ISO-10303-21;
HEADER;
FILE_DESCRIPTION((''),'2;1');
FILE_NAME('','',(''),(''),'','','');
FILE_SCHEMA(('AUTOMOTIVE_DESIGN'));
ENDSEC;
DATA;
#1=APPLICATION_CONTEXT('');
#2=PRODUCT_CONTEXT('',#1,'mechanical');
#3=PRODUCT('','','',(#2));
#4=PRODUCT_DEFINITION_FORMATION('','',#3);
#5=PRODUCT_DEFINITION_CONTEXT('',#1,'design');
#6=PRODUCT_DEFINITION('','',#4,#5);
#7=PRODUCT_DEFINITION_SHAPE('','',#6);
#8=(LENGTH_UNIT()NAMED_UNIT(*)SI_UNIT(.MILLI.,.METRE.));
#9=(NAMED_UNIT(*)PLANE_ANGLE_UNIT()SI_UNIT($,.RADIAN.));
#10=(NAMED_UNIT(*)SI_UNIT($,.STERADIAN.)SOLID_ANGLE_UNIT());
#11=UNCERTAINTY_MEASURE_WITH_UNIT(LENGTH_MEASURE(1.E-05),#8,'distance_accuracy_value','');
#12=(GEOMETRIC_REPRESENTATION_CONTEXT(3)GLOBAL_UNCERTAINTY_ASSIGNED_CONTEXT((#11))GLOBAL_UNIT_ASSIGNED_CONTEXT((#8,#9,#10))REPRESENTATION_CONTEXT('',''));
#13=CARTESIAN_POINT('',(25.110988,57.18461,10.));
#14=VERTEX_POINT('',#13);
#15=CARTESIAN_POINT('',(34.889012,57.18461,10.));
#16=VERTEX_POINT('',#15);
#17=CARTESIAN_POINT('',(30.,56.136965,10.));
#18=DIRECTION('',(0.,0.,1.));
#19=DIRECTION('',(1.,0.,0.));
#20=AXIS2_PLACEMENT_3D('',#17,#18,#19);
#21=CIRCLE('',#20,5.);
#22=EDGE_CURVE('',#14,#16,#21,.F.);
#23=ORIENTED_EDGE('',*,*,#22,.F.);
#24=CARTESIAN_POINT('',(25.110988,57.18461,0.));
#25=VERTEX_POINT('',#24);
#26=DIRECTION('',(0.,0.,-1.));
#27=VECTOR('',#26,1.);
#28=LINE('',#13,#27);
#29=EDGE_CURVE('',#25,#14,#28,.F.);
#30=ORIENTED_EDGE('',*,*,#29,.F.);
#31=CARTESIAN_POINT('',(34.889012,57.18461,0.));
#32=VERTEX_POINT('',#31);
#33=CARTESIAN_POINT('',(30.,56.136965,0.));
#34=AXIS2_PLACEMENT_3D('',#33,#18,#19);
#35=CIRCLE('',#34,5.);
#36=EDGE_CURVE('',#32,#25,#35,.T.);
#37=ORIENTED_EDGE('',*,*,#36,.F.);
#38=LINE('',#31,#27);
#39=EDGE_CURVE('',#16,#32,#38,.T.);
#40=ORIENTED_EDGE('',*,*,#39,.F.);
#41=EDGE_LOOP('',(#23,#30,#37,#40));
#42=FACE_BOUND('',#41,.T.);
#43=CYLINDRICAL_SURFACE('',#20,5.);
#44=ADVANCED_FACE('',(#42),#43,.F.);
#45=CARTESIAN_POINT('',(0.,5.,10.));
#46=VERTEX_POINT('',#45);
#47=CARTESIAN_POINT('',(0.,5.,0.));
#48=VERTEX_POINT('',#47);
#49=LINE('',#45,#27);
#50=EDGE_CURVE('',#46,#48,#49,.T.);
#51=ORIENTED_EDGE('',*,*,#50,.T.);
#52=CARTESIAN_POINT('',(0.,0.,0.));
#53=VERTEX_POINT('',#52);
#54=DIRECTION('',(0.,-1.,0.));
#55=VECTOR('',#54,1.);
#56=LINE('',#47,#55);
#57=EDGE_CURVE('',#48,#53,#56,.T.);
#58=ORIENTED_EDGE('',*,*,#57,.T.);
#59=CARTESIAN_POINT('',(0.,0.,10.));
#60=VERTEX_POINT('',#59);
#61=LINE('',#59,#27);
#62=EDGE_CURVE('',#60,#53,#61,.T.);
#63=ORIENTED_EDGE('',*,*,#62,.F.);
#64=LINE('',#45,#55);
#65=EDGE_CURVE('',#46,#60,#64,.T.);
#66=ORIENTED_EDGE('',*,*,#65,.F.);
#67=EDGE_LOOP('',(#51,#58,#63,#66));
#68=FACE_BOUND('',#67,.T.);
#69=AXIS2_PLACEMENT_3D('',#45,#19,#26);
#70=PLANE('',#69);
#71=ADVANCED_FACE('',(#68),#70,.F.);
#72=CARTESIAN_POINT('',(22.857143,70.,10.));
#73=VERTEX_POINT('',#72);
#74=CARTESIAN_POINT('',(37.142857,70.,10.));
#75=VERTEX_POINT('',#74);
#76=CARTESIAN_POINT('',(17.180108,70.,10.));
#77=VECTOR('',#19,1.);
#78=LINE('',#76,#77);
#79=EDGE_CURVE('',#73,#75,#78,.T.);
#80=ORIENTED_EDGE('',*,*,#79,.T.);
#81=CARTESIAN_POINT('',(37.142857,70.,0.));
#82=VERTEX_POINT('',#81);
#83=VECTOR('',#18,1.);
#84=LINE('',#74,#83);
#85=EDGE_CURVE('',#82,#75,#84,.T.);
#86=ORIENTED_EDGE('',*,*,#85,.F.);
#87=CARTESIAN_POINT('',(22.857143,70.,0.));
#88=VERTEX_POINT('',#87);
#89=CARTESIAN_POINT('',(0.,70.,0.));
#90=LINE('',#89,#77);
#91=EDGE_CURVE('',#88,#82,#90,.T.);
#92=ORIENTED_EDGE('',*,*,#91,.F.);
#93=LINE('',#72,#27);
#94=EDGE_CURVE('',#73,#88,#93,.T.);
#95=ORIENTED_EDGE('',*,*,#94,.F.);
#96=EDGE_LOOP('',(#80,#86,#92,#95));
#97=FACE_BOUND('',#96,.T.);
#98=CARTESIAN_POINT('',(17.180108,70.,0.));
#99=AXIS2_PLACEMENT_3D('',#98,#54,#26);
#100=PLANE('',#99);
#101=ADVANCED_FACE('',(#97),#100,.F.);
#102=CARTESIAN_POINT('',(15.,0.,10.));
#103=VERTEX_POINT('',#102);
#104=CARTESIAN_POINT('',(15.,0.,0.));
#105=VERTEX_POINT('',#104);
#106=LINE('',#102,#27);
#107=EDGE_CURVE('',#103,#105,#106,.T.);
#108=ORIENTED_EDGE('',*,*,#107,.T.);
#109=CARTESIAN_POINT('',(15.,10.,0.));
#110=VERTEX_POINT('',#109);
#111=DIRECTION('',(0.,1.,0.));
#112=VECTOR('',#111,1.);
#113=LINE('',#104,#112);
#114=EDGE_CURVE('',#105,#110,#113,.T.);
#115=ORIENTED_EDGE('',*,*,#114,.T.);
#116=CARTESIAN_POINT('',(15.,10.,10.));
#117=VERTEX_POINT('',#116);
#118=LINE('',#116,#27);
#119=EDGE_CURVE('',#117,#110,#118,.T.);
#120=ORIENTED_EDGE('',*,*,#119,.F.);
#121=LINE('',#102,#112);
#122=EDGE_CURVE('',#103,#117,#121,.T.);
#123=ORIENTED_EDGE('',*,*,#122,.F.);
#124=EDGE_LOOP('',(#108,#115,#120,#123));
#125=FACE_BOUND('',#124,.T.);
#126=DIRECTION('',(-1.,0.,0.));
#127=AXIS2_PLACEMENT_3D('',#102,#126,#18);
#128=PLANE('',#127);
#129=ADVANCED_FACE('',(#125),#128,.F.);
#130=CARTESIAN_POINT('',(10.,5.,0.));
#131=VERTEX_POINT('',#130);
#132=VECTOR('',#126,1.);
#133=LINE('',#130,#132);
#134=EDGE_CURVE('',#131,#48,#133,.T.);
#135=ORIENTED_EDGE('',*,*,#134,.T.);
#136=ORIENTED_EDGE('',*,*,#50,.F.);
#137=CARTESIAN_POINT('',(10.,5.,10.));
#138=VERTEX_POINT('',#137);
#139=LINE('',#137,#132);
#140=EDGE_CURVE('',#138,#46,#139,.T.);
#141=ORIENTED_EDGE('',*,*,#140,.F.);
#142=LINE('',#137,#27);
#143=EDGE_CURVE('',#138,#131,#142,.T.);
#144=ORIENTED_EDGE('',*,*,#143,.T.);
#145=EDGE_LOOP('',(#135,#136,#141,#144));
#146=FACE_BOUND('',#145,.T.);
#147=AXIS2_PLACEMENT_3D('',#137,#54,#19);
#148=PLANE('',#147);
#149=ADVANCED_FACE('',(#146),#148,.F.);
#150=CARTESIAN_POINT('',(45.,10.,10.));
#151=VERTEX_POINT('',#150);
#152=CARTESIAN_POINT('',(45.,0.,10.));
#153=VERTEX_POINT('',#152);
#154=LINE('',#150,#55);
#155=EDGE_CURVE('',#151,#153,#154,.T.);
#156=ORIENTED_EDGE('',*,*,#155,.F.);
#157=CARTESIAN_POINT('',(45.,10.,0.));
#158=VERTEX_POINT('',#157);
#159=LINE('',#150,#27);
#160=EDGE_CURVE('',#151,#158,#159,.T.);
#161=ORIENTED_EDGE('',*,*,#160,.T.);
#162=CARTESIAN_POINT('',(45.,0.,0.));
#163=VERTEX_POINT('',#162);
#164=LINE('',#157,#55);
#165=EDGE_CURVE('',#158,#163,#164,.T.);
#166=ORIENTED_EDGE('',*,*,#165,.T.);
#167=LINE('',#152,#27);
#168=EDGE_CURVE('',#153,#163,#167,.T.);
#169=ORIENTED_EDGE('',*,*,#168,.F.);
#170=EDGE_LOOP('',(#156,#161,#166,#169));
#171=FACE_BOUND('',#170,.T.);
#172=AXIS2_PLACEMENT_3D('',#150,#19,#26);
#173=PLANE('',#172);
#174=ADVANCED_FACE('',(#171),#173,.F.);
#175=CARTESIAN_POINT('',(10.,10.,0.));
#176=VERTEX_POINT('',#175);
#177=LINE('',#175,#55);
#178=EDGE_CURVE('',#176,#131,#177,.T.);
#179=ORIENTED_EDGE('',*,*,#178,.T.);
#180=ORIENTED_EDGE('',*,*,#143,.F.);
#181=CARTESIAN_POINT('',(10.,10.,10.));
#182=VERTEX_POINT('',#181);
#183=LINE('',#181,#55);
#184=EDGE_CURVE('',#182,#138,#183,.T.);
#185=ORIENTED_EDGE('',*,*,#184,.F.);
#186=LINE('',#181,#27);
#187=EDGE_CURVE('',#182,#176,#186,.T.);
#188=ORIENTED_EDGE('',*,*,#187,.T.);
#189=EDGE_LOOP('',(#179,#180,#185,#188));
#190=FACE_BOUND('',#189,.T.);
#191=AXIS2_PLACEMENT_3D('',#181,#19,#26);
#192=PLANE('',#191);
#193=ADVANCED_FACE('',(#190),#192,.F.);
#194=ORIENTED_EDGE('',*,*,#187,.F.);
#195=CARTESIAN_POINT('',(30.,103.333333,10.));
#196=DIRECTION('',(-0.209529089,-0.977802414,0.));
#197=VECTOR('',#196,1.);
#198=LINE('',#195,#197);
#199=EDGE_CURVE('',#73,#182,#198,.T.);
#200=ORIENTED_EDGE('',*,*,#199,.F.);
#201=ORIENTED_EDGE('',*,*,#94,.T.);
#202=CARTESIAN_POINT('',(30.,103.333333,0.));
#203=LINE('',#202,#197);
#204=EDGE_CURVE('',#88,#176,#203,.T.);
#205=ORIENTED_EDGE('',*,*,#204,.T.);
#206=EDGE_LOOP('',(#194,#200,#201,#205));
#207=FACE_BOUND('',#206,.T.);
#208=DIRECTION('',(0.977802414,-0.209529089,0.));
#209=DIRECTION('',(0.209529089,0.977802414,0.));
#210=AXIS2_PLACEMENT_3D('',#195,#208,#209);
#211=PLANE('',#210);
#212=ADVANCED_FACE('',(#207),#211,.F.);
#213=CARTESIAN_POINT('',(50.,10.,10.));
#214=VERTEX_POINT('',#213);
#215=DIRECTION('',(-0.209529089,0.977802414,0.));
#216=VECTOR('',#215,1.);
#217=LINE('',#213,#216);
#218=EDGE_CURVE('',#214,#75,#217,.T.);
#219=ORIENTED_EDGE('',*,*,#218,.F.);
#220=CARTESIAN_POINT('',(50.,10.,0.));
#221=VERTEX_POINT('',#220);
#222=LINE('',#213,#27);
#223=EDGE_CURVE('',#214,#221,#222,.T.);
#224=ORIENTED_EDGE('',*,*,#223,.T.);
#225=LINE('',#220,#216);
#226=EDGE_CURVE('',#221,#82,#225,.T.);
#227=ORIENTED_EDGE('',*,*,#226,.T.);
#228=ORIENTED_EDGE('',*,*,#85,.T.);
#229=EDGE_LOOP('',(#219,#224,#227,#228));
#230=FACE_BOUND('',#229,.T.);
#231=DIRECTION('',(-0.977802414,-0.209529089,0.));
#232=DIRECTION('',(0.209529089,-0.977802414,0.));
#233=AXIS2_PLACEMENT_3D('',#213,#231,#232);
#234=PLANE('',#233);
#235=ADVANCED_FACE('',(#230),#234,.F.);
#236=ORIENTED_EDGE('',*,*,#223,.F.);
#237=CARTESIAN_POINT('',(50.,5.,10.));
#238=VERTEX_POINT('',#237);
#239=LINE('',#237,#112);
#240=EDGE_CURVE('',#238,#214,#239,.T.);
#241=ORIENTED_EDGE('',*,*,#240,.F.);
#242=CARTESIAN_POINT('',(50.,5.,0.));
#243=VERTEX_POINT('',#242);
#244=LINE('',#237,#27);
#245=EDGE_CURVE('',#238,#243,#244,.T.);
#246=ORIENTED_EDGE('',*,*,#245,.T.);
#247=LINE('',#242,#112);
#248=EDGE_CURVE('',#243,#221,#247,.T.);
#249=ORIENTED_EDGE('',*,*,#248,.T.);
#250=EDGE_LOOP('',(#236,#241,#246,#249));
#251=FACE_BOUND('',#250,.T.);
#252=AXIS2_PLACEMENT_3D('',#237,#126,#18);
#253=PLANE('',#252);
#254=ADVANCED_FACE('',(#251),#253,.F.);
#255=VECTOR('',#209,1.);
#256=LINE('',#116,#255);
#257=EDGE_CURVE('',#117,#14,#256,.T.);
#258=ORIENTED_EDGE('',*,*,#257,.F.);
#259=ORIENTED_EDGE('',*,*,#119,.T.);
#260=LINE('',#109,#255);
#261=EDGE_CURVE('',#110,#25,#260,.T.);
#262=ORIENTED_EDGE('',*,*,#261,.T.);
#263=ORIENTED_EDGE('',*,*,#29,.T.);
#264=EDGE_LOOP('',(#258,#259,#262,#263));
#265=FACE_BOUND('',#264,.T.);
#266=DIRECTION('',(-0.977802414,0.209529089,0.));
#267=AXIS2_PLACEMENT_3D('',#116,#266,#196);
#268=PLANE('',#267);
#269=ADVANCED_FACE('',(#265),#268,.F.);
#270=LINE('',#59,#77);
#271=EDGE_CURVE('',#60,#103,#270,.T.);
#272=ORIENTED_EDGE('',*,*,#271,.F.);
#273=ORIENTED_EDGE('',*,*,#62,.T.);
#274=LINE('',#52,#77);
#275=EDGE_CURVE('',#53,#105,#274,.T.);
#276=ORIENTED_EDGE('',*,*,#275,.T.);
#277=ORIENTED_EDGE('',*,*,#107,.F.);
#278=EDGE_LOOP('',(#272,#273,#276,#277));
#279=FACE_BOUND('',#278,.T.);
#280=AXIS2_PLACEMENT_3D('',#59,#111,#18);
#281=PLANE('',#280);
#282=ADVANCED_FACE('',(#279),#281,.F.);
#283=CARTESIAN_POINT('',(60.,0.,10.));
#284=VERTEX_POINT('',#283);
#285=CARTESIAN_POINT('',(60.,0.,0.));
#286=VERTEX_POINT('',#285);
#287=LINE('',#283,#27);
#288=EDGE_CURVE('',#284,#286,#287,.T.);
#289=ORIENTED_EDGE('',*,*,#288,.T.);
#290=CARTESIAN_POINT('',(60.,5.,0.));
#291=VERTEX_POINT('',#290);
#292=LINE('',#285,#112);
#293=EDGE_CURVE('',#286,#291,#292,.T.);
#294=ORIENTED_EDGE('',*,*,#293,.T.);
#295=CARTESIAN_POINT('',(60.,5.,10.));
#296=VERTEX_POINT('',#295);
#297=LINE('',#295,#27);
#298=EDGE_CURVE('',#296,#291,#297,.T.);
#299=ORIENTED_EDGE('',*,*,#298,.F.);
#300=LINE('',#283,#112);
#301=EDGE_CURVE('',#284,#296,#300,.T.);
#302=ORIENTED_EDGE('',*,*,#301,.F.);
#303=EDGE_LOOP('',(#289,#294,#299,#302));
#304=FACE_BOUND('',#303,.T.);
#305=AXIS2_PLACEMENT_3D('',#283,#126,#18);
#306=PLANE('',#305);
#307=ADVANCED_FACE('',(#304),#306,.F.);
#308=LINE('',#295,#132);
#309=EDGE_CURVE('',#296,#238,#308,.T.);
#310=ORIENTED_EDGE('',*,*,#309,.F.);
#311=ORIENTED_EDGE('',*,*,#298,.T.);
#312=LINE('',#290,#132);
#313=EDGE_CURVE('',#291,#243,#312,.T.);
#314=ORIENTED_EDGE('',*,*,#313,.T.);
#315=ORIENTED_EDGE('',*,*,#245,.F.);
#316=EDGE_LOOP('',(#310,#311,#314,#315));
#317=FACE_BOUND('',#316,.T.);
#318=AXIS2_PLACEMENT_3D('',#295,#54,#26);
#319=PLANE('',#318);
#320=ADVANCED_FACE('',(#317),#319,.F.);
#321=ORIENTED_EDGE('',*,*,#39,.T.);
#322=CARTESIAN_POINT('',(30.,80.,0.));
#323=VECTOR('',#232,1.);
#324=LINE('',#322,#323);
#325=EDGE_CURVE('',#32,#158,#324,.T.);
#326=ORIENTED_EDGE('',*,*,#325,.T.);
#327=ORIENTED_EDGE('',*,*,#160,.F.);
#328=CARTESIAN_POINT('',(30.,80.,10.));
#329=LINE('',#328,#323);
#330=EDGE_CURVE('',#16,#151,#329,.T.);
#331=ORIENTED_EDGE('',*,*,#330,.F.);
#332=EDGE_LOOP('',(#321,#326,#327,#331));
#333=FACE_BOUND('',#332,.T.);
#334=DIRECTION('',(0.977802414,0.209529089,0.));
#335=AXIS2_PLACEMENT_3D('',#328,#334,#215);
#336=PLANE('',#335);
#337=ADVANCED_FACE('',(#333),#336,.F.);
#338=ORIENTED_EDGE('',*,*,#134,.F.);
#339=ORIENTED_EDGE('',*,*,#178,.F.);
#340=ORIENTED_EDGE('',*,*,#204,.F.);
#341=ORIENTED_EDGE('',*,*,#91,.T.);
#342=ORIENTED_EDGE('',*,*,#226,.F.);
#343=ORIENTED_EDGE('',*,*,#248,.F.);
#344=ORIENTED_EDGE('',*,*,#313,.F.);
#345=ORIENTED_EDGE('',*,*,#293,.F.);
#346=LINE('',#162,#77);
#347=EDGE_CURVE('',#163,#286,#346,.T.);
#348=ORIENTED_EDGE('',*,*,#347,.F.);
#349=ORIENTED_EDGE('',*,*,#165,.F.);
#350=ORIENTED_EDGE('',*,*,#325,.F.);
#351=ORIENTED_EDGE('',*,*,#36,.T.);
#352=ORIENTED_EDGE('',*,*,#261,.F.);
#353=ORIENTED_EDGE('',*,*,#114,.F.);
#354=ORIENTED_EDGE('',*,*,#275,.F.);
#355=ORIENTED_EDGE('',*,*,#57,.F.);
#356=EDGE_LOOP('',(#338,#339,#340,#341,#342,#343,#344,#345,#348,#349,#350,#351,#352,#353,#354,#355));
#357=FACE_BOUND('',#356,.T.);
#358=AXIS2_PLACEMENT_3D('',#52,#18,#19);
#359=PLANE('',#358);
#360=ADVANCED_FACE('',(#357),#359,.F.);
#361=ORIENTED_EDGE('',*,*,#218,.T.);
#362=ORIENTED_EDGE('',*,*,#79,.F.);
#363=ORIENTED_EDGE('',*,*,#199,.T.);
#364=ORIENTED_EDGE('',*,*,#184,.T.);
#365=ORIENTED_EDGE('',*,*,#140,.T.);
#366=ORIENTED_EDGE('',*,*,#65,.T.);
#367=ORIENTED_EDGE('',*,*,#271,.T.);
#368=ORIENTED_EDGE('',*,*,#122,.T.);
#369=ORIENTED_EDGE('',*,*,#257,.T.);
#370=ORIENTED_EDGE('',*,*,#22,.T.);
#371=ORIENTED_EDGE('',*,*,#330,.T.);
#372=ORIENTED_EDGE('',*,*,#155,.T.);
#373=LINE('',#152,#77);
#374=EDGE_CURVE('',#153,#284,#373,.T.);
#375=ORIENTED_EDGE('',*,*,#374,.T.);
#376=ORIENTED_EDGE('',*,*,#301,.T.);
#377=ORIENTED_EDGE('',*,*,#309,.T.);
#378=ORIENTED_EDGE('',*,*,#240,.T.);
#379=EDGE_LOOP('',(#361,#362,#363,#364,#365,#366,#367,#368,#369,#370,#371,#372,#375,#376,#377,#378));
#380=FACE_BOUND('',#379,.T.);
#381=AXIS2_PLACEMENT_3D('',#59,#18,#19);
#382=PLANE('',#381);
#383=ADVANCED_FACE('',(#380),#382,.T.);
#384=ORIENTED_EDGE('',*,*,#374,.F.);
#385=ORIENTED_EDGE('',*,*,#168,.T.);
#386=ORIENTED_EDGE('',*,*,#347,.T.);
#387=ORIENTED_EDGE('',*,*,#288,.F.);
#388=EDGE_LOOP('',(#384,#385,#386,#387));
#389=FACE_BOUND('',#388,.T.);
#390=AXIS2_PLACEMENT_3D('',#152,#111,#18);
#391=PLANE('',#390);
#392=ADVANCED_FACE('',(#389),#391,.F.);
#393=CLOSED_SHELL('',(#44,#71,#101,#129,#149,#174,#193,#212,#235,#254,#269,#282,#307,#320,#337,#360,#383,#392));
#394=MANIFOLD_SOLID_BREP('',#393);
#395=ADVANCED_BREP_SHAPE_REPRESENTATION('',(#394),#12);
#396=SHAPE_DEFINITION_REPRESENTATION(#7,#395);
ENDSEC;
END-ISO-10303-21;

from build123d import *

# Parameters (mm, degrees)
BOSS_EXTRUDE1_DEPTH = 10
FILLET1_R           = 5
CUT_EXTRUDE1_DEPTH  = 10


with BuildPart() as part:
    # Sketch1 → Boss-Extrude1 (new body)
    with BuildSketch(Plane.XY):
        Polygon((0, 0), (15, 0), (15, 10), (30, 80), (45, 10), (45, 0), (60, 0), (60, 5), (50, 5), (50, 10), (30, 103.333333333), (10, 10), (10, 5), (0, 5), align=None)
    extrude(amount=BOSS_EXTRUDE1_DEPTH)

    # Fillet1
    fillet1_edges = [part.edges().sort_by_distance(p)[0] for p in [
        (30, 80, 5),
    ]]
    fillet(fillet1_edges, radius=FILLET1_R)

    # Sketch2 → Cut-Extrude1 (cut)
    with BuildSketch(Plane.XY.offset(10)):
        Polygon((17.180108491, 70), (46.95074544, 70), (40.829828982, 121.012949043), (-8.691955578, 121.012949043), align=None)
    extrude(amount=-CUT_EXTRUDE1_DEPTH, mode=Mode.SUBTRACT)


solid = part.part
